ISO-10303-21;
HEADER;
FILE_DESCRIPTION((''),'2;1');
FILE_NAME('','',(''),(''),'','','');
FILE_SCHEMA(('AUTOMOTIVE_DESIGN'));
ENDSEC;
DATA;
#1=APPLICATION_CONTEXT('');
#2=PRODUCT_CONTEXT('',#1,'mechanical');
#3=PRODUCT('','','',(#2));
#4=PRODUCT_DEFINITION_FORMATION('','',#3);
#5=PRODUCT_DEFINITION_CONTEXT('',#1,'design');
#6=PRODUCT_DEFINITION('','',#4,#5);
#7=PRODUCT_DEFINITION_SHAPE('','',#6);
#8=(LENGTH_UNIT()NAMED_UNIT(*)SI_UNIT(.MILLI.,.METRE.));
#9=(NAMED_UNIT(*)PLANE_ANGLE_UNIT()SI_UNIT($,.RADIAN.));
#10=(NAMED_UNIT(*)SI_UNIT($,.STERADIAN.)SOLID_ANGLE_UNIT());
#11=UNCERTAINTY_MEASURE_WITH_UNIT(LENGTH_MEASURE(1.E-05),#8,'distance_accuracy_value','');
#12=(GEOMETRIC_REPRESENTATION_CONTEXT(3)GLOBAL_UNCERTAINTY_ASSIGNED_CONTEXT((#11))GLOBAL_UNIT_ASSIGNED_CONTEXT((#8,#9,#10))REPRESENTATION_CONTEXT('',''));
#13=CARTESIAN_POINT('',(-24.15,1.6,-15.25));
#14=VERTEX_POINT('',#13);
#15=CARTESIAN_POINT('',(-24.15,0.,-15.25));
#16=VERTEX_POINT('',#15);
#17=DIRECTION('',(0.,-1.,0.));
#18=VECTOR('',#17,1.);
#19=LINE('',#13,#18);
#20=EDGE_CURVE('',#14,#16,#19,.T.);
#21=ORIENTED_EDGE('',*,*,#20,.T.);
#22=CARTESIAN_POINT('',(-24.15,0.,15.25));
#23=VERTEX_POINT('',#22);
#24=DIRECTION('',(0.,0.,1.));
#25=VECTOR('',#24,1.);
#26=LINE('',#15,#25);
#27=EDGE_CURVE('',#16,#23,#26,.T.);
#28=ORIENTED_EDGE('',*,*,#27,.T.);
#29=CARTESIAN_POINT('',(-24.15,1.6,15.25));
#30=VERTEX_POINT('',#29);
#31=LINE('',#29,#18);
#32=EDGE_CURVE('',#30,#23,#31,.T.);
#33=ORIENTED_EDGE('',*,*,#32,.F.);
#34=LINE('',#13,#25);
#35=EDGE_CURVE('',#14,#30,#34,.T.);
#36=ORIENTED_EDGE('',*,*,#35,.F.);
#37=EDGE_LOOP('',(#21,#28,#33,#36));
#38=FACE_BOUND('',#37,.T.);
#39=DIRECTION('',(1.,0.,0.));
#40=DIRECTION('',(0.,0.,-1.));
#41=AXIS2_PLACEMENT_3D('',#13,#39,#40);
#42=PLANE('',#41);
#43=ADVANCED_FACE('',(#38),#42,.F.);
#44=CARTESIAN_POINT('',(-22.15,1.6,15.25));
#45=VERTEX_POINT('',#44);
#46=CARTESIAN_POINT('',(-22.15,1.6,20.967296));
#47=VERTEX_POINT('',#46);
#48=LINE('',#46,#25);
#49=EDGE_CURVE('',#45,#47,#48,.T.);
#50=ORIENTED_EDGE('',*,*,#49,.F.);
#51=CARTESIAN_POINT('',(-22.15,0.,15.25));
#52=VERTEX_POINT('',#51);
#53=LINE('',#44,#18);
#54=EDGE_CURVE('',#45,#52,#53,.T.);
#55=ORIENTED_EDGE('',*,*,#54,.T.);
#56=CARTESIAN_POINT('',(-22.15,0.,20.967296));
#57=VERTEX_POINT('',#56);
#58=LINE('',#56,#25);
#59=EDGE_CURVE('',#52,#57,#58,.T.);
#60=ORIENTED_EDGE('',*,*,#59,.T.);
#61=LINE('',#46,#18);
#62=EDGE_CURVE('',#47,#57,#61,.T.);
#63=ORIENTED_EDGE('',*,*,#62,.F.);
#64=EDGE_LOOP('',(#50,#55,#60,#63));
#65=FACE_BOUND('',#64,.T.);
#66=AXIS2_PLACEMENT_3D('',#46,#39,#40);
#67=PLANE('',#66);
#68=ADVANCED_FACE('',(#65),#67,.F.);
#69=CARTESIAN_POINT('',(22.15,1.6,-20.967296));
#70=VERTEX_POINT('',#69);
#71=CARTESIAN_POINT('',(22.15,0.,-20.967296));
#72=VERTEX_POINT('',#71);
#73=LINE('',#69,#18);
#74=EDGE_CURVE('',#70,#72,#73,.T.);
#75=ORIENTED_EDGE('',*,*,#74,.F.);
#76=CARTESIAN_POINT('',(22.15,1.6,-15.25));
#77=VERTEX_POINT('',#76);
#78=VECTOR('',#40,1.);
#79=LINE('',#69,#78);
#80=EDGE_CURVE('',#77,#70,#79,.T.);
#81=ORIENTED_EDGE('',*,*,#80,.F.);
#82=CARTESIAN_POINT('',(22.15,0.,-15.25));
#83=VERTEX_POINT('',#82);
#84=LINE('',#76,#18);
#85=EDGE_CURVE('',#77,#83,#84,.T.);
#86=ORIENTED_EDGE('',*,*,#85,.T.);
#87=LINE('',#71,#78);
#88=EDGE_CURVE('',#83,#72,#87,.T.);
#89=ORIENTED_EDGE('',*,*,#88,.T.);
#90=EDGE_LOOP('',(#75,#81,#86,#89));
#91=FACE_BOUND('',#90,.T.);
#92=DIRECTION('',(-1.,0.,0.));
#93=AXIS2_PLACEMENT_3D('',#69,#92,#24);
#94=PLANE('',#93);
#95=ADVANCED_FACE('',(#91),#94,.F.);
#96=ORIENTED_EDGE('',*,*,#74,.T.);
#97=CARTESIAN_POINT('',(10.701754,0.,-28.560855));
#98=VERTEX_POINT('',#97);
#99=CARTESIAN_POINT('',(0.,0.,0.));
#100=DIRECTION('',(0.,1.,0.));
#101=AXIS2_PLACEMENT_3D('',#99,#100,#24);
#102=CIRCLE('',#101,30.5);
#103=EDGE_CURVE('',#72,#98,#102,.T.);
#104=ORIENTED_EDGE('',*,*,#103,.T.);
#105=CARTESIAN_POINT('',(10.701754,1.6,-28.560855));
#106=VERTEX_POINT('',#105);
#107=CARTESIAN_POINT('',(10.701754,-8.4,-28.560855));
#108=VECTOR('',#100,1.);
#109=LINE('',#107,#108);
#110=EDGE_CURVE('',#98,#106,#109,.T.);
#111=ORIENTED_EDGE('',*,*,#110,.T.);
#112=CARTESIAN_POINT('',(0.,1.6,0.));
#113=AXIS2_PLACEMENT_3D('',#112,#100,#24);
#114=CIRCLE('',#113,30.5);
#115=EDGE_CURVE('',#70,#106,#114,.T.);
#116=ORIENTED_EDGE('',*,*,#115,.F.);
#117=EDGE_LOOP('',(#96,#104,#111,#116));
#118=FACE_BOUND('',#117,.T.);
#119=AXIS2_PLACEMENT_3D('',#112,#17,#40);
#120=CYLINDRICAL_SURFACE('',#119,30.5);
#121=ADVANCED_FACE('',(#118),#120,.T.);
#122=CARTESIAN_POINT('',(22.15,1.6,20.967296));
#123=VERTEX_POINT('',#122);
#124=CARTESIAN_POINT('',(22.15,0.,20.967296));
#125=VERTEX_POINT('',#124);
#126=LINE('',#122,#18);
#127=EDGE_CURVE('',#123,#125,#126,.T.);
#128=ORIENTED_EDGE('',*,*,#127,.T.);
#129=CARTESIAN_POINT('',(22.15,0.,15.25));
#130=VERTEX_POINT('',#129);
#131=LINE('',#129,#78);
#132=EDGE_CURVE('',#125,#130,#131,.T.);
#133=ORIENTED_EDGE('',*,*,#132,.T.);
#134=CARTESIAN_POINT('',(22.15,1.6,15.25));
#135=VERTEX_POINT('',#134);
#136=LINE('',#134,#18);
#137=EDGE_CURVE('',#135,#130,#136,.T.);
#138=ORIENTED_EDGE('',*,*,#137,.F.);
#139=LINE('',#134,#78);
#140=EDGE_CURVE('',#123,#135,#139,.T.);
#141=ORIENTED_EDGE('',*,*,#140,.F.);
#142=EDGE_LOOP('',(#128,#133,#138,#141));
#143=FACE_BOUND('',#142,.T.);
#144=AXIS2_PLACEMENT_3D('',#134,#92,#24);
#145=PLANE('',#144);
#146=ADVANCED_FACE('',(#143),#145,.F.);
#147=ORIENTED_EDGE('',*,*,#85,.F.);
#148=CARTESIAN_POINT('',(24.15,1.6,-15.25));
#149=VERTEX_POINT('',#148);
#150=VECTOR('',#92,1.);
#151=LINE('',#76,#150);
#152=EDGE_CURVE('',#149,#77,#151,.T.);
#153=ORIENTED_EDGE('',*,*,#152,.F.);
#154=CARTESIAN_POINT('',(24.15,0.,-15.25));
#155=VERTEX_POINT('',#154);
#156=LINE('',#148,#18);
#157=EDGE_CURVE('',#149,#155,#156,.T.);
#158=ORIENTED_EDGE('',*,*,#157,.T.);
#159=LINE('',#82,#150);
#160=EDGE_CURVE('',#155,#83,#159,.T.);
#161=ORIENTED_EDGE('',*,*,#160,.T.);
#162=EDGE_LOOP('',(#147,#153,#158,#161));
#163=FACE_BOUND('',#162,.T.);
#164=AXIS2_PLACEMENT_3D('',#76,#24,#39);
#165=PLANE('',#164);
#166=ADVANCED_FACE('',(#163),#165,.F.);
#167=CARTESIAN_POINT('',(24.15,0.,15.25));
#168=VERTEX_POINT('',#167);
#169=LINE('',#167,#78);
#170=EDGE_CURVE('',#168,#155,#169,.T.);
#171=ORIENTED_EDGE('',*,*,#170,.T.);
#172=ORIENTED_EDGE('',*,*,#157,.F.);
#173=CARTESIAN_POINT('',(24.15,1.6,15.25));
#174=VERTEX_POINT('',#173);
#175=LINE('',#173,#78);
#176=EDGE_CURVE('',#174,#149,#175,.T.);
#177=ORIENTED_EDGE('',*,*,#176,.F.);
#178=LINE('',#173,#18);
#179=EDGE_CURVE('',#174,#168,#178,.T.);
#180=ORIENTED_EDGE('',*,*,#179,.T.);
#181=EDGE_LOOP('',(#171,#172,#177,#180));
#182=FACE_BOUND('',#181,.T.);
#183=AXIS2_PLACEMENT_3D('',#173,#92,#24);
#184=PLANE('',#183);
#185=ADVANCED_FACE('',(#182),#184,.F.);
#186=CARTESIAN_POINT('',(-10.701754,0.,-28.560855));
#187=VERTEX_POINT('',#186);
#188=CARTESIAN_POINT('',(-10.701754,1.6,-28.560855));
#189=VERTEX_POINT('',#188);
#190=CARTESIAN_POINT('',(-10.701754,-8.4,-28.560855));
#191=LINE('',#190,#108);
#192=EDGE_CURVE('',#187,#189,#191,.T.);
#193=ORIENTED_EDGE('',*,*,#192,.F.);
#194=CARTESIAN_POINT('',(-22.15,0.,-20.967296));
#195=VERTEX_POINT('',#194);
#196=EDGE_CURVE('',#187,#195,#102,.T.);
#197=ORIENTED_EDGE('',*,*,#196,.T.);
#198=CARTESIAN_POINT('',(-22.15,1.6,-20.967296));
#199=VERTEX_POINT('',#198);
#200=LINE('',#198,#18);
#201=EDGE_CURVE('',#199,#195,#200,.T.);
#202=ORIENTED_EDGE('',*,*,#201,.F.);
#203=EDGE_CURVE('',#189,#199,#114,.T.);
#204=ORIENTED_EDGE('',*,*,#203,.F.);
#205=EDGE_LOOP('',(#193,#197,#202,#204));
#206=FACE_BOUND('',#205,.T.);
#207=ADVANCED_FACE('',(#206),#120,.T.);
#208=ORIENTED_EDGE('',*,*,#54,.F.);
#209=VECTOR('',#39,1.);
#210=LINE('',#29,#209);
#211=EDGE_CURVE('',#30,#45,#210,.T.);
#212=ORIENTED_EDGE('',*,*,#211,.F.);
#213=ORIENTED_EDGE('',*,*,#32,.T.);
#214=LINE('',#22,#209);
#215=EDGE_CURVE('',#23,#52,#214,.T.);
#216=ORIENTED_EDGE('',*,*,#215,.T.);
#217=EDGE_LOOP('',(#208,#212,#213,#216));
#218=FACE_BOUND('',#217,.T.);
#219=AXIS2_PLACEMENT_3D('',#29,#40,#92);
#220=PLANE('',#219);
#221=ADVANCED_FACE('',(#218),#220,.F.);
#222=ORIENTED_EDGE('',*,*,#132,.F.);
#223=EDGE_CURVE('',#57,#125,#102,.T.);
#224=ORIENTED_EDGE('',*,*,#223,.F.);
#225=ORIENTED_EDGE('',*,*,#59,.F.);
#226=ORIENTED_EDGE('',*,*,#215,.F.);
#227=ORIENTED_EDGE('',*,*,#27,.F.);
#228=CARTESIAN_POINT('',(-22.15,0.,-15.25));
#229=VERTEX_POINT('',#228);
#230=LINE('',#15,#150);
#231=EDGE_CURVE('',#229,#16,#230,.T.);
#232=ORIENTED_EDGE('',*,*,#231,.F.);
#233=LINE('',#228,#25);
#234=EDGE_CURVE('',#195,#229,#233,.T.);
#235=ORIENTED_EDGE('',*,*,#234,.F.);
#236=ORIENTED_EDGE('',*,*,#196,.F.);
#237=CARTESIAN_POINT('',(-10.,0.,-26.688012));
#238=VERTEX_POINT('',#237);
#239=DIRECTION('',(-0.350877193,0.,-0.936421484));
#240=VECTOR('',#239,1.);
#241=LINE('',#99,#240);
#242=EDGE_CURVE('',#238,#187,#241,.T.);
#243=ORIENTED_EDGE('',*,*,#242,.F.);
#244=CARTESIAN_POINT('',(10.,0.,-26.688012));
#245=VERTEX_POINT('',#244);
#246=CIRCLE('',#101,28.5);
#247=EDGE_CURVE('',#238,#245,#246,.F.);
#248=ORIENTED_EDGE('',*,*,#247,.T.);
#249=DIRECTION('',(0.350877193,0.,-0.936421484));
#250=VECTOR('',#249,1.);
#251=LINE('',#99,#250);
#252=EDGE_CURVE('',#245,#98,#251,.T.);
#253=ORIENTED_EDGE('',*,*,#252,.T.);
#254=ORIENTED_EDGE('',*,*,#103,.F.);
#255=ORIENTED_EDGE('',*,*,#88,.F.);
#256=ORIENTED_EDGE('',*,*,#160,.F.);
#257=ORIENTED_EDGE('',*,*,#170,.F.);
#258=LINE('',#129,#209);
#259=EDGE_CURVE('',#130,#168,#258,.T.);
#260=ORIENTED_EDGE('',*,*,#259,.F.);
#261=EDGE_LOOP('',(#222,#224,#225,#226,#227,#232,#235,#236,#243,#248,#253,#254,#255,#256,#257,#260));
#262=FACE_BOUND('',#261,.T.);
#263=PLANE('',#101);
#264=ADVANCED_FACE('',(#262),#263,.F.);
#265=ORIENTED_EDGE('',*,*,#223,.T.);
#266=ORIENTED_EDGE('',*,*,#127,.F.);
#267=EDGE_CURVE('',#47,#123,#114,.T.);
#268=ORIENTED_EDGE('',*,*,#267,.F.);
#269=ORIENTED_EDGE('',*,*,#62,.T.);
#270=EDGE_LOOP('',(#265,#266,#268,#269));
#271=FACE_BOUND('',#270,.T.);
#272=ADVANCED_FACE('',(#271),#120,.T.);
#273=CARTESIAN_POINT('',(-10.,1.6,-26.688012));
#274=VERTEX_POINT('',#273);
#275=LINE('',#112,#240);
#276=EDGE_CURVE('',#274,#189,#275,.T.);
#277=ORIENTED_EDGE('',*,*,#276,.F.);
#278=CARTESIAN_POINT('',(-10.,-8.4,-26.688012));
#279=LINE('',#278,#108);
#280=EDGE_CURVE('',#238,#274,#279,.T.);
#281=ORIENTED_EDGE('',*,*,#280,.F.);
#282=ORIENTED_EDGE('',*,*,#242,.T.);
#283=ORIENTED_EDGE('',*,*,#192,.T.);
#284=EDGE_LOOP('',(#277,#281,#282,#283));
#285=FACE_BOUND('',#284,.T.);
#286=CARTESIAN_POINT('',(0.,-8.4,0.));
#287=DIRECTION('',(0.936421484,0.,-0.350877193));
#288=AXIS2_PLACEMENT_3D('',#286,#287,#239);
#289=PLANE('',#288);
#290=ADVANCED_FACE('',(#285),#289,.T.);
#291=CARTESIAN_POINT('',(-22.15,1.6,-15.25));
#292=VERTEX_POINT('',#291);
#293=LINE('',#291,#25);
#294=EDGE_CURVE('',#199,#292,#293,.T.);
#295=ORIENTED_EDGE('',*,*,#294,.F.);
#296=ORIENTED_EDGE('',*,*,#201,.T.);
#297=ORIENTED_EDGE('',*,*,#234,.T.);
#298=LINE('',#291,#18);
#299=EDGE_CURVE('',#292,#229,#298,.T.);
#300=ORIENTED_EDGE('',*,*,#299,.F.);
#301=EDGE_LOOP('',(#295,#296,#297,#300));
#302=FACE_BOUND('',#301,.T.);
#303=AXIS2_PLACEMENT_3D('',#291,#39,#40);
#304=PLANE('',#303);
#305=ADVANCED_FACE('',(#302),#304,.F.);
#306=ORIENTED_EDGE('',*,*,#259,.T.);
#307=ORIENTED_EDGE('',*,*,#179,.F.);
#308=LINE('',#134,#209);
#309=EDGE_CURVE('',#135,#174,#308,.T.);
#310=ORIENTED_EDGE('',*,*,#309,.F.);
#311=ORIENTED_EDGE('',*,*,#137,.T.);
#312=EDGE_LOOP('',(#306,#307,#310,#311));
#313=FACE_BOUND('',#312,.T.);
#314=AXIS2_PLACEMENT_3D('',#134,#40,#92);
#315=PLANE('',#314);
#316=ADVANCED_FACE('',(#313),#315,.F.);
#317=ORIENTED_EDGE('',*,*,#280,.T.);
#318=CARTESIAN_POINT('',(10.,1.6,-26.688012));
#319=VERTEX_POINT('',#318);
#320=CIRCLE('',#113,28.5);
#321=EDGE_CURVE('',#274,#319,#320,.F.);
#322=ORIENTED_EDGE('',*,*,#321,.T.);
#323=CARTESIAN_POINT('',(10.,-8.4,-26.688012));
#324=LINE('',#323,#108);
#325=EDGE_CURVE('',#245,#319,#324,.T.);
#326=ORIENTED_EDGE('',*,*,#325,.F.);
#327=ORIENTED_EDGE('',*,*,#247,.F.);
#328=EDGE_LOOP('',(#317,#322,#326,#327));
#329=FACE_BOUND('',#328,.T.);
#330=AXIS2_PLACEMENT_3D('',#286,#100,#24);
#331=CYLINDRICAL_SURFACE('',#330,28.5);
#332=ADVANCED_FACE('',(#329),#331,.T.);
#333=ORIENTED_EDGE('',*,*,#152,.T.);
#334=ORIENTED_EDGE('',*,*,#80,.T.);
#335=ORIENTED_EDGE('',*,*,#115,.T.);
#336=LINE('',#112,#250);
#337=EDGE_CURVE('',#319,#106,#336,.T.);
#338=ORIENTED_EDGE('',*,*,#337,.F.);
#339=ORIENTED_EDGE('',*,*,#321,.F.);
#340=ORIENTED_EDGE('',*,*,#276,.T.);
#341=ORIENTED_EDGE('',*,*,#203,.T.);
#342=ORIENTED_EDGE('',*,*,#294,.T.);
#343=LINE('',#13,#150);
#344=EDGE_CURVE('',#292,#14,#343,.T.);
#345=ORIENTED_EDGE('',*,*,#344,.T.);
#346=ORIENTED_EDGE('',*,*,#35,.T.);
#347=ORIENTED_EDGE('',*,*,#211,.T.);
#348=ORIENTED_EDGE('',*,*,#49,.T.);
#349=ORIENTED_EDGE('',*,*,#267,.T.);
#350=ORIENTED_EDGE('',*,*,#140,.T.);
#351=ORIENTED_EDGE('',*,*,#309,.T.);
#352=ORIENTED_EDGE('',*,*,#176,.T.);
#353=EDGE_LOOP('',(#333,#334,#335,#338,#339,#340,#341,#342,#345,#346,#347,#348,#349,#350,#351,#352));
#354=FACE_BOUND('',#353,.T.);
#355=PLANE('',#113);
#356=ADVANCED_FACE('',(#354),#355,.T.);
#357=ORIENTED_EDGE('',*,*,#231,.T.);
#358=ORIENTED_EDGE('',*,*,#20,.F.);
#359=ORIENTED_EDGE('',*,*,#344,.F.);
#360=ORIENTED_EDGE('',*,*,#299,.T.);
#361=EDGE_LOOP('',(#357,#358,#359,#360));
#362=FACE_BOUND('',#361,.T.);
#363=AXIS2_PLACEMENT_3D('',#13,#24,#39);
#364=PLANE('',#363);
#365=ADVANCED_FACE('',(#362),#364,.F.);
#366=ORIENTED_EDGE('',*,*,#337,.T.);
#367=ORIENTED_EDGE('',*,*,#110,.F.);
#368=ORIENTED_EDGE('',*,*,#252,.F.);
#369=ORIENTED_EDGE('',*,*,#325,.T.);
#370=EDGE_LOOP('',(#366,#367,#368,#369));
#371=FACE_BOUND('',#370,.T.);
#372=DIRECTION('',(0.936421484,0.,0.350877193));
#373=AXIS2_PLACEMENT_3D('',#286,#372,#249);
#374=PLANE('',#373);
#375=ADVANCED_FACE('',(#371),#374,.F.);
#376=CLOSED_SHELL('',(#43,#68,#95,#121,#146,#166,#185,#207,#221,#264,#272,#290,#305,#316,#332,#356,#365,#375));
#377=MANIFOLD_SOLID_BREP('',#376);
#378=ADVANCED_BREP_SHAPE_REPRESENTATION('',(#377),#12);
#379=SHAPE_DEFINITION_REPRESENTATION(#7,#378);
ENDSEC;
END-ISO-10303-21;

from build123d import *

# Parameters (mm, degrees)
BOSS_EXTRUDE1_DEPTH = 1.6
CUT_EXTRUDE1_DEPTH  = 10


with BuildPart() as part:
    # Sketch1 → Boss-Extrude1 (new body)
    with BuildSketch(Plane(origin=(0, 0, 0), x_dir=(1, 0, 0), z_dir=(0, 1, 0))):
        with BuildLine():
            Line((-24.15, 15.25), (-24.15, -15.25))
            Line((-24.15, -15.25), (-22.15, -15.25))
            Line((-22.15, -15.25), (-22.15, -20.967295963))
            ThreePointArc((-22.15, -20.967295963), (0, -30.5), (22.15, -20.967295963))
            Line((22.15, -20.967295963), (22.15, -15.25))
            Line((22.15, -15.25), (24.15, -15.25))
            Line((24.15, -15.25), (24.15, 15.25))
            Line((24.15, 15.25), (22.15, 15.25))
            Line((22.15, 15.25), (22.15, 20.967295963))
            ThreePointArc((22.15, 20.967295963), (0, 30.5), (-22.15, 20.967295963))
            Line((-22.15, 20.967295963), (-22.15, 15.25))
            Line((-22.15, 15.25), (-24.15, 15.25))
        make_face()
    extrude(amount=BOSS_EXTRUDE1_DEPTH)

    # Sketch2 → Cut-Extrude1 (cut)
    with BuildSketch(Plane(origin=(0, 1.6, 0), x_dir=(1, 0, 0), z_dir=(0, 1, 0))):
        with BuildLine():
            ThreePointArc((-10, 26.68801229), (0, 28.5), (10, 26.68801229))
            Line((10, 26.68801229), (10.701754386, 28.560855258))
            ThreePointArc((10.701754386, 28.560855258), (0, 30.5), (-10.701754386, 28.560855258))
            Line((-10.701754386, 28.560855258), (-10, 26.68801229))
        make_face()
    extrude(amount=-CUT_EXTRUDE1_DEPTH, mode=Mode.SUBTRACT)


solid = part.part
